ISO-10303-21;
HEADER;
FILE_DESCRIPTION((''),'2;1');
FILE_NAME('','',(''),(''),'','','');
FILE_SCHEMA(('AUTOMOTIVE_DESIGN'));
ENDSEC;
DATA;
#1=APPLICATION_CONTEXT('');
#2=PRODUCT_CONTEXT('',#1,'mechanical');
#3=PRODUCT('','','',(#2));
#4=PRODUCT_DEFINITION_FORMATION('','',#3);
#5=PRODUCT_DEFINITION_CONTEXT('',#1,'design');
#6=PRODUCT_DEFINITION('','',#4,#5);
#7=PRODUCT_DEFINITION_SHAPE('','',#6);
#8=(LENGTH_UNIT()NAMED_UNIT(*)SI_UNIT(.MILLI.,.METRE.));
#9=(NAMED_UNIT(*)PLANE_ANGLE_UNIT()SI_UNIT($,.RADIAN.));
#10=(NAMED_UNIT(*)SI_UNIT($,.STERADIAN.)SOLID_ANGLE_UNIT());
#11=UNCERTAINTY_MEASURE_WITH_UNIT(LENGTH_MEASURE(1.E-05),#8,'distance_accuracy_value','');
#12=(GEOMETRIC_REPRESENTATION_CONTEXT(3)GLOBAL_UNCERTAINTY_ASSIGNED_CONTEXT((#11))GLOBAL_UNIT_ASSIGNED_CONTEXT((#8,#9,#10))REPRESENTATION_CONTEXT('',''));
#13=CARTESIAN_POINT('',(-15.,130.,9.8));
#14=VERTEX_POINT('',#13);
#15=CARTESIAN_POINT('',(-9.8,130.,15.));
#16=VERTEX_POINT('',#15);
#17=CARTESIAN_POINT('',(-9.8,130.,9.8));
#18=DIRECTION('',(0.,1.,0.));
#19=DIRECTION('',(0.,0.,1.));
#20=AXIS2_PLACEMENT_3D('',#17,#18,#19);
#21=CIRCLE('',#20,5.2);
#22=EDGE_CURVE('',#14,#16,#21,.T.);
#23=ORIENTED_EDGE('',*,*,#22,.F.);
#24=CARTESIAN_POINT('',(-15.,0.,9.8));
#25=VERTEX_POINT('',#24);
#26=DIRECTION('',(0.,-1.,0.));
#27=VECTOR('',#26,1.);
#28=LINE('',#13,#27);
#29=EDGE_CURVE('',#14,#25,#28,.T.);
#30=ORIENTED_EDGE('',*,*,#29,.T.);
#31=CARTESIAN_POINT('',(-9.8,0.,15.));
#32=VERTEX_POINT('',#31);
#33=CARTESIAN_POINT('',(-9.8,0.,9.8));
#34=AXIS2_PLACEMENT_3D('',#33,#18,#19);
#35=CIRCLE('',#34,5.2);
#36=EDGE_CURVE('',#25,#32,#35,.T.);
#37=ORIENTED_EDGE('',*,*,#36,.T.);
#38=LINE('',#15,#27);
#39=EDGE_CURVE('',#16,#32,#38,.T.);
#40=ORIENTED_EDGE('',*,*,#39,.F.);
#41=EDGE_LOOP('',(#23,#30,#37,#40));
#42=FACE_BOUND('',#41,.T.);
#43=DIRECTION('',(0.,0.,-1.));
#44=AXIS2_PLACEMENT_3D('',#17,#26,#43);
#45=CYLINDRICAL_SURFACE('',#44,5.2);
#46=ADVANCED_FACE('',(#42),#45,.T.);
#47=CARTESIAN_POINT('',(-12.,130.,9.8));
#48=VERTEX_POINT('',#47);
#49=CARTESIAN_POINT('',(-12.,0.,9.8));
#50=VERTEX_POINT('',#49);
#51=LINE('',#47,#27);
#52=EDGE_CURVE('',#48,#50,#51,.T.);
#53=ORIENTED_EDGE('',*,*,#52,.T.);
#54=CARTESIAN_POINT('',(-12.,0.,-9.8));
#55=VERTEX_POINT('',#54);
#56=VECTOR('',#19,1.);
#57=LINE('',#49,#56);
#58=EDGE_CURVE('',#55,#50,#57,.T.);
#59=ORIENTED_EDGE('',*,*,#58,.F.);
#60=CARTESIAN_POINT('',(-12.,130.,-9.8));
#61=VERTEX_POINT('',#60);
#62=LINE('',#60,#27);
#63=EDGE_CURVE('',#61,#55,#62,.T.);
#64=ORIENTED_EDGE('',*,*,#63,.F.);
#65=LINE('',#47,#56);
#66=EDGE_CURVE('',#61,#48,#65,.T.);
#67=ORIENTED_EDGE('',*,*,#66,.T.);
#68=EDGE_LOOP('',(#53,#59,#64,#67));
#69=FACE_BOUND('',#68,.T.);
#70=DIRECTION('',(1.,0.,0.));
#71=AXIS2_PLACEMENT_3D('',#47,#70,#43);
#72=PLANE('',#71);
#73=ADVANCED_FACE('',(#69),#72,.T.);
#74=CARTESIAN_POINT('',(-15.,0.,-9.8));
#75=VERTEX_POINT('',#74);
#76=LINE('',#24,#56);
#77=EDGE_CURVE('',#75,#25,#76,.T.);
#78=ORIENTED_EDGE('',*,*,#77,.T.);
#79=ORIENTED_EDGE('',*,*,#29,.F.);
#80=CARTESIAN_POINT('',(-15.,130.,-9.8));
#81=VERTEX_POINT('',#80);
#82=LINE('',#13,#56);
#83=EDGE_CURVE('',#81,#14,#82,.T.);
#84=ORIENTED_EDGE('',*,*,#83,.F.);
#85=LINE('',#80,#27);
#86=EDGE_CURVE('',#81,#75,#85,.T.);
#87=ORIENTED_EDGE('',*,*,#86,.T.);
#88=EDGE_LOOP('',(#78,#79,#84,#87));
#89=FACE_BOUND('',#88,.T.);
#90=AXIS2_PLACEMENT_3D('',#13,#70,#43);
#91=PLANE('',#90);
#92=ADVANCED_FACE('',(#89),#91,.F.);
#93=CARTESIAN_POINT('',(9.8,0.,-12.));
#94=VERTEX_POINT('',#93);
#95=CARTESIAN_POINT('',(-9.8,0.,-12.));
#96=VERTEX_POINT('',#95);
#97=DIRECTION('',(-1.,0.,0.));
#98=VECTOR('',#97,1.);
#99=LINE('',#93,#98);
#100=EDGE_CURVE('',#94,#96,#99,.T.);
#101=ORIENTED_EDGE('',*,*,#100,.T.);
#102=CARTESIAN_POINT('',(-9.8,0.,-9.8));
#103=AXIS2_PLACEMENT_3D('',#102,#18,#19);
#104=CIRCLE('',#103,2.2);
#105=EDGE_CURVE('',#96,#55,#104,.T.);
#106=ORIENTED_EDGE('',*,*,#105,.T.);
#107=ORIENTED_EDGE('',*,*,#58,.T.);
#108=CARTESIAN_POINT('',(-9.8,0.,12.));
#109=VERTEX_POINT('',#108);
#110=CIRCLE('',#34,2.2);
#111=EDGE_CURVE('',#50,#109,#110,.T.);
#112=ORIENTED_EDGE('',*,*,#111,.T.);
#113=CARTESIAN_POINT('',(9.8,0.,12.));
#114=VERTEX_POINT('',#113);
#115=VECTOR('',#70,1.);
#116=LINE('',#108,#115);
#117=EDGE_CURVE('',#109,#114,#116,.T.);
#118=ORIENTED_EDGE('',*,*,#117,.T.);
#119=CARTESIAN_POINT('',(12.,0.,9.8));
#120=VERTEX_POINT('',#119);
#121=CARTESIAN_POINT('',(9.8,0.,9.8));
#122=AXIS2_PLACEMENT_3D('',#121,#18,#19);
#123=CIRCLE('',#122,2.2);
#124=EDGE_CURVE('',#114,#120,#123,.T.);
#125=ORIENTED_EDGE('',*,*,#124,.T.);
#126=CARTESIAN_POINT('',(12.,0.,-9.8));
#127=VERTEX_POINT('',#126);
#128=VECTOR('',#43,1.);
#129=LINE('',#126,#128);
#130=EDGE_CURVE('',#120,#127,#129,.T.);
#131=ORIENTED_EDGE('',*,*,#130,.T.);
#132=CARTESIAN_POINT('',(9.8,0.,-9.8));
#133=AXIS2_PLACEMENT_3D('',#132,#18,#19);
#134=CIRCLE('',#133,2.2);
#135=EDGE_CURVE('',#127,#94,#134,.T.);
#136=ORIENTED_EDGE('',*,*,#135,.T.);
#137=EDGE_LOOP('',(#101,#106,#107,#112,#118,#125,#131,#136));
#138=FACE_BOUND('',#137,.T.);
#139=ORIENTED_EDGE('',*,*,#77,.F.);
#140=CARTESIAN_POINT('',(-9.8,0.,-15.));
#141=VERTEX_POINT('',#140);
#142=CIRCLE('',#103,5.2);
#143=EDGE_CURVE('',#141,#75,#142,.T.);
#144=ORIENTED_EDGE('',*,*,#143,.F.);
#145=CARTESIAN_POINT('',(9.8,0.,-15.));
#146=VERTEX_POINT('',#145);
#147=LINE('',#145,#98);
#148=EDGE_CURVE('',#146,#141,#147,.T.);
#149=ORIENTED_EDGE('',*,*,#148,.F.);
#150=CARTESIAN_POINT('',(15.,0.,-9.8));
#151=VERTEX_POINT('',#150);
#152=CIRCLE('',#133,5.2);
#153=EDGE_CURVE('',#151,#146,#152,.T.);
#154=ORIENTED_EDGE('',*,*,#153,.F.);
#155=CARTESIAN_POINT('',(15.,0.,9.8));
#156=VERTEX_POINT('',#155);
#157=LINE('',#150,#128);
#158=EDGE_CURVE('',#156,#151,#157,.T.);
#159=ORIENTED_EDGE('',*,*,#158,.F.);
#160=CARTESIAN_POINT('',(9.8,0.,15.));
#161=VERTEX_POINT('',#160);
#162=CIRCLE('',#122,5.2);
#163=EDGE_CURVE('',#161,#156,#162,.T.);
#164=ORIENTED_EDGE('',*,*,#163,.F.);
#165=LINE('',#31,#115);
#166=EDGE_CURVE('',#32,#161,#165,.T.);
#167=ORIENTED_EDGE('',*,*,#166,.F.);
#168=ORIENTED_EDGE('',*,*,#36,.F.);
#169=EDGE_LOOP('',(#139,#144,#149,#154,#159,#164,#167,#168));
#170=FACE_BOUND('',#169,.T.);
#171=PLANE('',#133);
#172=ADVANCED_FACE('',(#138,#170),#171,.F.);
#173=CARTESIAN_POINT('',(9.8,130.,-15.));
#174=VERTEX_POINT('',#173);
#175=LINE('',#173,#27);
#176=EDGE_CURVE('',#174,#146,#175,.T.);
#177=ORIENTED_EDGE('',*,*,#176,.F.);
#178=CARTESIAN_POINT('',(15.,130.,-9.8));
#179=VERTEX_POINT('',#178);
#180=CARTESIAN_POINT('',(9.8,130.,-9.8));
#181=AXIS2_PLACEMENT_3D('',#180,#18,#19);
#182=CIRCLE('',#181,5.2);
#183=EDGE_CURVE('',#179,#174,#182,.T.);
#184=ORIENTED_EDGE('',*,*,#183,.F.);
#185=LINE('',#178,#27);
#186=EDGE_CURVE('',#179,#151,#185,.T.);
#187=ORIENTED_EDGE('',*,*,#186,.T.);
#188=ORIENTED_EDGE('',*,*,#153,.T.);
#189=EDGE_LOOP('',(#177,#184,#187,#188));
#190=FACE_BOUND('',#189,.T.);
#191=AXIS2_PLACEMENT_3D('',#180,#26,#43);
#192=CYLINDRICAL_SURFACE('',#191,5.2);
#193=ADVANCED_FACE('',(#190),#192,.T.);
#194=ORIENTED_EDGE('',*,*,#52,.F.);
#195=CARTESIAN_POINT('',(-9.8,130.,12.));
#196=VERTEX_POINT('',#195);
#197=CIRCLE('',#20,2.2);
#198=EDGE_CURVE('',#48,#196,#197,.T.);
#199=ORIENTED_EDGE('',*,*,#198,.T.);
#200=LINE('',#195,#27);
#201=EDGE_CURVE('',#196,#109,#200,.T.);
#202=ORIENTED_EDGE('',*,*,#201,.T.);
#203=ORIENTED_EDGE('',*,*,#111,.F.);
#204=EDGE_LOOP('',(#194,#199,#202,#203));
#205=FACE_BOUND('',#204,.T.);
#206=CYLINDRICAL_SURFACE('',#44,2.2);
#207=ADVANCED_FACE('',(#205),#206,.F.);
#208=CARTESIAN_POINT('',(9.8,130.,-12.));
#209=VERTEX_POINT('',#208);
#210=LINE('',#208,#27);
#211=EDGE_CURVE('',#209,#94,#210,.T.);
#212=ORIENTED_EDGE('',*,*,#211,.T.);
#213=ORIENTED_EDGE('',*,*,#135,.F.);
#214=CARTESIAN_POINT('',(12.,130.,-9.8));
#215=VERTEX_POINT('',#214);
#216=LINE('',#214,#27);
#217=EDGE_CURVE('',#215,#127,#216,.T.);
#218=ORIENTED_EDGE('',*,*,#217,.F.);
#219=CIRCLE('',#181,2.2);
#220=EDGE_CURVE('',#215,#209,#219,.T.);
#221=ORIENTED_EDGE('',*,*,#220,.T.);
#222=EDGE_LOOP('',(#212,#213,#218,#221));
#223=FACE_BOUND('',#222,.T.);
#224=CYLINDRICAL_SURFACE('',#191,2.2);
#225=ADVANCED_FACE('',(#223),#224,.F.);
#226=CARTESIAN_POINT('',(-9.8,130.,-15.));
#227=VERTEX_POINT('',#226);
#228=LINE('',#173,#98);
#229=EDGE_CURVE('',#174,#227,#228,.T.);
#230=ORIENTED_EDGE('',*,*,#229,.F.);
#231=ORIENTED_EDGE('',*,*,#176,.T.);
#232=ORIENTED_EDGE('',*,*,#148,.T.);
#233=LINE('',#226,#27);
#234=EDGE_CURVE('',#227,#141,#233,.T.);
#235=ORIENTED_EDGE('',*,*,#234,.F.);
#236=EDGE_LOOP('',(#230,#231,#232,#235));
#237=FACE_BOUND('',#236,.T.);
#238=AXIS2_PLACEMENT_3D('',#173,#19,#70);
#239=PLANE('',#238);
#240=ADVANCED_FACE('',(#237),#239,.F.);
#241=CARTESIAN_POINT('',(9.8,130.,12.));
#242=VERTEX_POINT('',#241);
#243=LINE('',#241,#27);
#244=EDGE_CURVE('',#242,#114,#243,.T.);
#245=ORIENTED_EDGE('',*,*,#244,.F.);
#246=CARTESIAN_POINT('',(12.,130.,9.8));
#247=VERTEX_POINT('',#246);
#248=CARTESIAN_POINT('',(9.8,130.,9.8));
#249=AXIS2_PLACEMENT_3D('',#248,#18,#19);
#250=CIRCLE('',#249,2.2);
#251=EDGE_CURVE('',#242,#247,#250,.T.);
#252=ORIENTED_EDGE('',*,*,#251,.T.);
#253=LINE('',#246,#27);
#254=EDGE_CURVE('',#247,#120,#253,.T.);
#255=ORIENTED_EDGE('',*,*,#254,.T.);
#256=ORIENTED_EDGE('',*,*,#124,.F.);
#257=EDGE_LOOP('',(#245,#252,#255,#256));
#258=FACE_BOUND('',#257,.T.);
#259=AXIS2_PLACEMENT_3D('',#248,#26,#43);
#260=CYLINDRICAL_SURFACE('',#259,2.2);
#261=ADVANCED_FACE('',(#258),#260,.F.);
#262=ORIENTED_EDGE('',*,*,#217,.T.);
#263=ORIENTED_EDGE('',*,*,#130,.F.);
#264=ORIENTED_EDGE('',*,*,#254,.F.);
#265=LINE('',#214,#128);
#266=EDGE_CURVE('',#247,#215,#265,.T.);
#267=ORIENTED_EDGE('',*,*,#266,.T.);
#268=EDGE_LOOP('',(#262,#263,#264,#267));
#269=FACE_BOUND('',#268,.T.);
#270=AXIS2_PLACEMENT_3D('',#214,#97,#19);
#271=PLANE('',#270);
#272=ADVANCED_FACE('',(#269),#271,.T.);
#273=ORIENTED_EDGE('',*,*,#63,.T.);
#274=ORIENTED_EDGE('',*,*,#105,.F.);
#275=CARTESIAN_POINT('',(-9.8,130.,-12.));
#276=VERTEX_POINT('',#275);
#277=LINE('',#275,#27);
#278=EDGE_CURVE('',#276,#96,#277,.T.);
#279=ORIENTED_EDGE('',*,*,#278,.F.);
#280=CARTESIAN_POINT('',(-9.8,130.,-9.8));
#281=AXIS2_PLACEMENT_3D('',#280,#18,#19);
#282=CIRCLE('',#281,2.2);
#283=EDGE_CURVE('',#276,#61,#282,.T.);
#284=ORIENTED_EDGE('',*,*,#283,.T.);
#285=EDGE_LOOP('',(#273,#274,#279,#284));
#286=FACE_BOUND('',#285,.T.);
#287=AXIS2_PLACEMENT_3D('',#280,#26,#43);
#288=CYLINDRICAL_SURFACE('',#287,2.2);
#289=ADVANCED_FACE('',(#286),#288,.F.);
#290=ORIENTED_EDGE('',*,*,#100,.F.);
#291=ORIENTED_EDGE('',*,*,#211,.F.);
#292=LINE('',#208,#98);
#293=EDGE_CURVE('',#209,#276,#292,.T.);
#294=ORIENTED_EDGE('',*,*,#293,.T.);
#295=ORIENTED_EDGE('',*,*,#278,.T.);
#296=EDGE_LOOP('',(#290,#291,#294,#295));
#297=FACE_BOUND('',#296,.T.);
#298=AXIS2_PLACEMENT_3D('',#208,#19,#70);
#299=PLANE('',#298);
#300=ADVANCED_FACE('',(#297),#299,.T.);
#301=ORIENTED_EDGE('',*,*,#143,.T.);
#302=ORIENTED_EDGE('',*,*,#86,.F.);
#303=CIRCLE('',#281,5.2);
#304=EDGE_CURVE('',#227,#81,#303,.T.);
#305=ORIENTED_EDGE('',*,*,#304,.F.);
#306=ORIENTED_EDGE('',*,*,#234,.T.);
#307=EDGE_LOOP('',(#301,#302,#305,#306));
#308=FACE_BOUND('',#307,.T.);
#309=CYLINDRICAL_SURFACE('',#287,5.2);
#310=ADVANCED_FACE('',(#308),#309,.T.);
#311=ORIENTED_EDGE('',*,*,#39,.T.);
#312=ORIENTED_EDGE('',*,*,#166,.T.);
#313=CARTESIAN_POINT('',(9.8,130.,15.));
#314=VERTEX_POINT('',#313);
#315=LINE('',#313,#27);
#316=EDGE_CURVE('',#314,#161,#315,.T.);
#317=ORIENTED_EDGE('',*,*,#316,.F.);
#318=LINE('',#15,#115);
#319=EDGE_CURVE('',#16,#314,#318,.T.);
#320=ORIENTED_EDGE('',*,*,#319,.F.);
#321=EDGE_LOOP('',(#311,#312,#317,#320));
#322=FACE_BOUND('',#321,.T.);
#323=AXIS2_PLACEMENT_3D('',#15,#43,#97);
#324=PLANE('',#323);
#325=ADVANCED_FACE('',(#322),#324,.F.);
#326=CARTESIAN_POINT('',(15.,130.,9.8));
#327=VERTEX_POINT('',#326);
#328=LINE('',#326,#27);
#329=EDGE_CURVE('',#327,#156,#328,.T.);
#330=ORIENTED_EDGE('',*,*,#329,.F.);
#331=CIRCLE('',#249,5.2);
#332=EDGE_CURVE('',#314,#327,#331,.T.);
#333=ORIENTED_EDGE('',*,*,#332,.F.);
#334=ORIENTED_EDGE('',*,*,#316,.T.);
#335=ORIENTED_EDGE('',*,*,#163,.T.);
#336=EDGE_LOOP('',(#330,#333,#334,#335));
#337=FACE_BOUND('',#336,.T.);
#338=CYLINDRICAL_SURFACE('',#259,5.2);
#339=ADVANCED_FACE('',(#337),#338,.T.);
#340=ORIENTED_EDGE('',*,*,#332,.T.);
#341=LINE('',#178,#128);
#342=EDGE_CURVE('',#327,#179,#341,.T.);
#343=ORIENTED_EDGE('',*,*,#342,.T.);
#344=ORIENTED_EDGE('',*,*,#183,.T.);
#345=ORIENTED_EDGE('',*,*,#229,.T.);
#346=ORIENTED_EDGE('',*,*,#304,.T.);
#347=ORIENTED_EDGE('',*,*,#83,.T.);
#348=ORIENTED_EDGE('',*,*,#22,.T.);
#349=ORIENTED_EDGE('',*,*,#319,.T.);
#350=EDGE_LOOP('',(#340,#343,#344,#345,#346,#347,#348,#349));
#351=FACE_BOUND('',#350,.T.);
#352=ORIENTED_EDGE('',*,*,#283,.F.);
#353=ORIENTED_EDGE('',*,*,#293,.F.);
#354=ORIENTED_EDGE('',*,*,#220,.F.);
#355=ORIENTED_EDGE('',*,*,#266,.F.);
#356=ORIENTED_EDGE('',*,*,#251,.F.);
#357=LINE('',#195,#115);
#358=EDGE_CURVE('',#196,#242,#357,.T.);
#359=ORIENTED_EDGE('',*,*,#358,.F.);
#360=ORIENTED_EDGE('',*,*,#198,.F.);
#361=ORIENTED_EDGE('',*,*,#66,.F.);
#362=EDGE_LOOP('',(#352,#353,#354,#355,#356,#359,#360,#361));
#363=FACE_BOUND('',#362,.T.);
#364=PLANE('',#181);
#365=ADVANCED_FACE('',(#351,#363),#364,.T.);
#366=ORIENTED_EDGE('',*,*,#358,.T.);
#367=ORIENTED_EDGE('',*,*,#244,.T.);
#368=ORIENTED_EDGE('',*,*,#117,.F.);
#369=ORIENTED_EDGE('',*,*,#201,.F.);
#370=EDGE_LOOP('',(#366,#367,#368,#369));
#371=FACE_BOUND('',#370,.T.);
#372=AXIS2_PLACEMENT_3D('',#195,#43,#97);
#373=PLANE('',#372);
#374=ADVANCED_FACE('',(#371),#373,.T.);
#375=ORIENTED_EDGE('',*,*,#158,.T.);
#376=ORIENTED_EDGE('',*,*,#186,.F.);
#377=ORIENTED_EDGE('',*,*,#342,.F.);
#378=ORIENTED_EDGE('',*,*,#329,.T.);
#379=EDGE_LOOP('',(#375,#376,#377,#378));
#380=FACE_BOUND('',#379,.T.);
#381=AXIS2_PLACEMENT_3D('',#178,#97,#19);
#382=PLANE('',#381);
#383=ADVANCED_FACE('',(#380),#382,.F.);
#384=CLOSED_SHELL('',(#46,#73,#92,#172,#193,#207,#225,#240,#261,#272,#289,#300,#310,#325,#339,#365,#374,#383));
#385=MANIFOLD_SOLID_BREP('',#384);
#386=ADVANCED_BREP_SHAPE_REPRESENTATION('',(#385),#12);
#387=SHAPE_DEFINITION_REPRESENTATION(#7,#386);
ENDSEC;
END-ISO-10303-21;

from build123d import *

# Parameters (mm, degrees)
SQUARE_TUBE_30_X_30_X_2_6_1_DEPTH = 130


with BuildPart() as part:
    # Sketch12 → Square tube 30 X 30 X 2.6(1) (new body)
    with BuildSketch(Plane(origin=(0, 0, 0), x_dir=(1, 0, 0), z_dir=(0, 1, 0))):
        with BuildLine():
            Line((-9.8, -15), (9.8, -15))
            ThreePointArc((9.8, -15), (13.476955262, -13.476955262), (15, -9.8))
            Line((15, -9.8), (15, 9.8))
            ThreePointArc((15, 9.8), (13.476955262, 13.476955262), (9.8, 15))
            Line((9.8, 15), (-9.8, 15))
            ThreePointArc((-9.8, 15), (-13.476955262, 13.476955262), (-15, 9.8))
            Line((-15, 9.8), (-15, -9.8))
            ThreePointArc((-15, -9.8), (-13.476955262, -13.476955262), (-9.8, -15))
        make_face()
        with BuildLine():
            Line((-9.8, -12), (9.8, -12))
            ThreePointArc((9.8, -12), (11.355634919, -11.355634919), (12, -9.8))
            Line((12, -9.8), (12, 9.8))
            ThreePointArc((12, 9.8), (11.355634919, 11.355634919), (9.8, 12))
            Line((9.8, 12), (-9.8, 12))
            ThreePointArc((-9.8, 12), (-11.355634919, 11.355634919), (-12, 9.8))
            Line((-12, 9.8), (-12, -9.8))
            ThreePointArc((-12, -9.8), (-11.355634919, -11.355634919), (-9.8, -12))
        make_face(mode=Mode.SUBTRACT)
    extrude(amount=SQUARE_TUBE_30_X_30_X_2_6_1_DEPTH)


solid = part.part
